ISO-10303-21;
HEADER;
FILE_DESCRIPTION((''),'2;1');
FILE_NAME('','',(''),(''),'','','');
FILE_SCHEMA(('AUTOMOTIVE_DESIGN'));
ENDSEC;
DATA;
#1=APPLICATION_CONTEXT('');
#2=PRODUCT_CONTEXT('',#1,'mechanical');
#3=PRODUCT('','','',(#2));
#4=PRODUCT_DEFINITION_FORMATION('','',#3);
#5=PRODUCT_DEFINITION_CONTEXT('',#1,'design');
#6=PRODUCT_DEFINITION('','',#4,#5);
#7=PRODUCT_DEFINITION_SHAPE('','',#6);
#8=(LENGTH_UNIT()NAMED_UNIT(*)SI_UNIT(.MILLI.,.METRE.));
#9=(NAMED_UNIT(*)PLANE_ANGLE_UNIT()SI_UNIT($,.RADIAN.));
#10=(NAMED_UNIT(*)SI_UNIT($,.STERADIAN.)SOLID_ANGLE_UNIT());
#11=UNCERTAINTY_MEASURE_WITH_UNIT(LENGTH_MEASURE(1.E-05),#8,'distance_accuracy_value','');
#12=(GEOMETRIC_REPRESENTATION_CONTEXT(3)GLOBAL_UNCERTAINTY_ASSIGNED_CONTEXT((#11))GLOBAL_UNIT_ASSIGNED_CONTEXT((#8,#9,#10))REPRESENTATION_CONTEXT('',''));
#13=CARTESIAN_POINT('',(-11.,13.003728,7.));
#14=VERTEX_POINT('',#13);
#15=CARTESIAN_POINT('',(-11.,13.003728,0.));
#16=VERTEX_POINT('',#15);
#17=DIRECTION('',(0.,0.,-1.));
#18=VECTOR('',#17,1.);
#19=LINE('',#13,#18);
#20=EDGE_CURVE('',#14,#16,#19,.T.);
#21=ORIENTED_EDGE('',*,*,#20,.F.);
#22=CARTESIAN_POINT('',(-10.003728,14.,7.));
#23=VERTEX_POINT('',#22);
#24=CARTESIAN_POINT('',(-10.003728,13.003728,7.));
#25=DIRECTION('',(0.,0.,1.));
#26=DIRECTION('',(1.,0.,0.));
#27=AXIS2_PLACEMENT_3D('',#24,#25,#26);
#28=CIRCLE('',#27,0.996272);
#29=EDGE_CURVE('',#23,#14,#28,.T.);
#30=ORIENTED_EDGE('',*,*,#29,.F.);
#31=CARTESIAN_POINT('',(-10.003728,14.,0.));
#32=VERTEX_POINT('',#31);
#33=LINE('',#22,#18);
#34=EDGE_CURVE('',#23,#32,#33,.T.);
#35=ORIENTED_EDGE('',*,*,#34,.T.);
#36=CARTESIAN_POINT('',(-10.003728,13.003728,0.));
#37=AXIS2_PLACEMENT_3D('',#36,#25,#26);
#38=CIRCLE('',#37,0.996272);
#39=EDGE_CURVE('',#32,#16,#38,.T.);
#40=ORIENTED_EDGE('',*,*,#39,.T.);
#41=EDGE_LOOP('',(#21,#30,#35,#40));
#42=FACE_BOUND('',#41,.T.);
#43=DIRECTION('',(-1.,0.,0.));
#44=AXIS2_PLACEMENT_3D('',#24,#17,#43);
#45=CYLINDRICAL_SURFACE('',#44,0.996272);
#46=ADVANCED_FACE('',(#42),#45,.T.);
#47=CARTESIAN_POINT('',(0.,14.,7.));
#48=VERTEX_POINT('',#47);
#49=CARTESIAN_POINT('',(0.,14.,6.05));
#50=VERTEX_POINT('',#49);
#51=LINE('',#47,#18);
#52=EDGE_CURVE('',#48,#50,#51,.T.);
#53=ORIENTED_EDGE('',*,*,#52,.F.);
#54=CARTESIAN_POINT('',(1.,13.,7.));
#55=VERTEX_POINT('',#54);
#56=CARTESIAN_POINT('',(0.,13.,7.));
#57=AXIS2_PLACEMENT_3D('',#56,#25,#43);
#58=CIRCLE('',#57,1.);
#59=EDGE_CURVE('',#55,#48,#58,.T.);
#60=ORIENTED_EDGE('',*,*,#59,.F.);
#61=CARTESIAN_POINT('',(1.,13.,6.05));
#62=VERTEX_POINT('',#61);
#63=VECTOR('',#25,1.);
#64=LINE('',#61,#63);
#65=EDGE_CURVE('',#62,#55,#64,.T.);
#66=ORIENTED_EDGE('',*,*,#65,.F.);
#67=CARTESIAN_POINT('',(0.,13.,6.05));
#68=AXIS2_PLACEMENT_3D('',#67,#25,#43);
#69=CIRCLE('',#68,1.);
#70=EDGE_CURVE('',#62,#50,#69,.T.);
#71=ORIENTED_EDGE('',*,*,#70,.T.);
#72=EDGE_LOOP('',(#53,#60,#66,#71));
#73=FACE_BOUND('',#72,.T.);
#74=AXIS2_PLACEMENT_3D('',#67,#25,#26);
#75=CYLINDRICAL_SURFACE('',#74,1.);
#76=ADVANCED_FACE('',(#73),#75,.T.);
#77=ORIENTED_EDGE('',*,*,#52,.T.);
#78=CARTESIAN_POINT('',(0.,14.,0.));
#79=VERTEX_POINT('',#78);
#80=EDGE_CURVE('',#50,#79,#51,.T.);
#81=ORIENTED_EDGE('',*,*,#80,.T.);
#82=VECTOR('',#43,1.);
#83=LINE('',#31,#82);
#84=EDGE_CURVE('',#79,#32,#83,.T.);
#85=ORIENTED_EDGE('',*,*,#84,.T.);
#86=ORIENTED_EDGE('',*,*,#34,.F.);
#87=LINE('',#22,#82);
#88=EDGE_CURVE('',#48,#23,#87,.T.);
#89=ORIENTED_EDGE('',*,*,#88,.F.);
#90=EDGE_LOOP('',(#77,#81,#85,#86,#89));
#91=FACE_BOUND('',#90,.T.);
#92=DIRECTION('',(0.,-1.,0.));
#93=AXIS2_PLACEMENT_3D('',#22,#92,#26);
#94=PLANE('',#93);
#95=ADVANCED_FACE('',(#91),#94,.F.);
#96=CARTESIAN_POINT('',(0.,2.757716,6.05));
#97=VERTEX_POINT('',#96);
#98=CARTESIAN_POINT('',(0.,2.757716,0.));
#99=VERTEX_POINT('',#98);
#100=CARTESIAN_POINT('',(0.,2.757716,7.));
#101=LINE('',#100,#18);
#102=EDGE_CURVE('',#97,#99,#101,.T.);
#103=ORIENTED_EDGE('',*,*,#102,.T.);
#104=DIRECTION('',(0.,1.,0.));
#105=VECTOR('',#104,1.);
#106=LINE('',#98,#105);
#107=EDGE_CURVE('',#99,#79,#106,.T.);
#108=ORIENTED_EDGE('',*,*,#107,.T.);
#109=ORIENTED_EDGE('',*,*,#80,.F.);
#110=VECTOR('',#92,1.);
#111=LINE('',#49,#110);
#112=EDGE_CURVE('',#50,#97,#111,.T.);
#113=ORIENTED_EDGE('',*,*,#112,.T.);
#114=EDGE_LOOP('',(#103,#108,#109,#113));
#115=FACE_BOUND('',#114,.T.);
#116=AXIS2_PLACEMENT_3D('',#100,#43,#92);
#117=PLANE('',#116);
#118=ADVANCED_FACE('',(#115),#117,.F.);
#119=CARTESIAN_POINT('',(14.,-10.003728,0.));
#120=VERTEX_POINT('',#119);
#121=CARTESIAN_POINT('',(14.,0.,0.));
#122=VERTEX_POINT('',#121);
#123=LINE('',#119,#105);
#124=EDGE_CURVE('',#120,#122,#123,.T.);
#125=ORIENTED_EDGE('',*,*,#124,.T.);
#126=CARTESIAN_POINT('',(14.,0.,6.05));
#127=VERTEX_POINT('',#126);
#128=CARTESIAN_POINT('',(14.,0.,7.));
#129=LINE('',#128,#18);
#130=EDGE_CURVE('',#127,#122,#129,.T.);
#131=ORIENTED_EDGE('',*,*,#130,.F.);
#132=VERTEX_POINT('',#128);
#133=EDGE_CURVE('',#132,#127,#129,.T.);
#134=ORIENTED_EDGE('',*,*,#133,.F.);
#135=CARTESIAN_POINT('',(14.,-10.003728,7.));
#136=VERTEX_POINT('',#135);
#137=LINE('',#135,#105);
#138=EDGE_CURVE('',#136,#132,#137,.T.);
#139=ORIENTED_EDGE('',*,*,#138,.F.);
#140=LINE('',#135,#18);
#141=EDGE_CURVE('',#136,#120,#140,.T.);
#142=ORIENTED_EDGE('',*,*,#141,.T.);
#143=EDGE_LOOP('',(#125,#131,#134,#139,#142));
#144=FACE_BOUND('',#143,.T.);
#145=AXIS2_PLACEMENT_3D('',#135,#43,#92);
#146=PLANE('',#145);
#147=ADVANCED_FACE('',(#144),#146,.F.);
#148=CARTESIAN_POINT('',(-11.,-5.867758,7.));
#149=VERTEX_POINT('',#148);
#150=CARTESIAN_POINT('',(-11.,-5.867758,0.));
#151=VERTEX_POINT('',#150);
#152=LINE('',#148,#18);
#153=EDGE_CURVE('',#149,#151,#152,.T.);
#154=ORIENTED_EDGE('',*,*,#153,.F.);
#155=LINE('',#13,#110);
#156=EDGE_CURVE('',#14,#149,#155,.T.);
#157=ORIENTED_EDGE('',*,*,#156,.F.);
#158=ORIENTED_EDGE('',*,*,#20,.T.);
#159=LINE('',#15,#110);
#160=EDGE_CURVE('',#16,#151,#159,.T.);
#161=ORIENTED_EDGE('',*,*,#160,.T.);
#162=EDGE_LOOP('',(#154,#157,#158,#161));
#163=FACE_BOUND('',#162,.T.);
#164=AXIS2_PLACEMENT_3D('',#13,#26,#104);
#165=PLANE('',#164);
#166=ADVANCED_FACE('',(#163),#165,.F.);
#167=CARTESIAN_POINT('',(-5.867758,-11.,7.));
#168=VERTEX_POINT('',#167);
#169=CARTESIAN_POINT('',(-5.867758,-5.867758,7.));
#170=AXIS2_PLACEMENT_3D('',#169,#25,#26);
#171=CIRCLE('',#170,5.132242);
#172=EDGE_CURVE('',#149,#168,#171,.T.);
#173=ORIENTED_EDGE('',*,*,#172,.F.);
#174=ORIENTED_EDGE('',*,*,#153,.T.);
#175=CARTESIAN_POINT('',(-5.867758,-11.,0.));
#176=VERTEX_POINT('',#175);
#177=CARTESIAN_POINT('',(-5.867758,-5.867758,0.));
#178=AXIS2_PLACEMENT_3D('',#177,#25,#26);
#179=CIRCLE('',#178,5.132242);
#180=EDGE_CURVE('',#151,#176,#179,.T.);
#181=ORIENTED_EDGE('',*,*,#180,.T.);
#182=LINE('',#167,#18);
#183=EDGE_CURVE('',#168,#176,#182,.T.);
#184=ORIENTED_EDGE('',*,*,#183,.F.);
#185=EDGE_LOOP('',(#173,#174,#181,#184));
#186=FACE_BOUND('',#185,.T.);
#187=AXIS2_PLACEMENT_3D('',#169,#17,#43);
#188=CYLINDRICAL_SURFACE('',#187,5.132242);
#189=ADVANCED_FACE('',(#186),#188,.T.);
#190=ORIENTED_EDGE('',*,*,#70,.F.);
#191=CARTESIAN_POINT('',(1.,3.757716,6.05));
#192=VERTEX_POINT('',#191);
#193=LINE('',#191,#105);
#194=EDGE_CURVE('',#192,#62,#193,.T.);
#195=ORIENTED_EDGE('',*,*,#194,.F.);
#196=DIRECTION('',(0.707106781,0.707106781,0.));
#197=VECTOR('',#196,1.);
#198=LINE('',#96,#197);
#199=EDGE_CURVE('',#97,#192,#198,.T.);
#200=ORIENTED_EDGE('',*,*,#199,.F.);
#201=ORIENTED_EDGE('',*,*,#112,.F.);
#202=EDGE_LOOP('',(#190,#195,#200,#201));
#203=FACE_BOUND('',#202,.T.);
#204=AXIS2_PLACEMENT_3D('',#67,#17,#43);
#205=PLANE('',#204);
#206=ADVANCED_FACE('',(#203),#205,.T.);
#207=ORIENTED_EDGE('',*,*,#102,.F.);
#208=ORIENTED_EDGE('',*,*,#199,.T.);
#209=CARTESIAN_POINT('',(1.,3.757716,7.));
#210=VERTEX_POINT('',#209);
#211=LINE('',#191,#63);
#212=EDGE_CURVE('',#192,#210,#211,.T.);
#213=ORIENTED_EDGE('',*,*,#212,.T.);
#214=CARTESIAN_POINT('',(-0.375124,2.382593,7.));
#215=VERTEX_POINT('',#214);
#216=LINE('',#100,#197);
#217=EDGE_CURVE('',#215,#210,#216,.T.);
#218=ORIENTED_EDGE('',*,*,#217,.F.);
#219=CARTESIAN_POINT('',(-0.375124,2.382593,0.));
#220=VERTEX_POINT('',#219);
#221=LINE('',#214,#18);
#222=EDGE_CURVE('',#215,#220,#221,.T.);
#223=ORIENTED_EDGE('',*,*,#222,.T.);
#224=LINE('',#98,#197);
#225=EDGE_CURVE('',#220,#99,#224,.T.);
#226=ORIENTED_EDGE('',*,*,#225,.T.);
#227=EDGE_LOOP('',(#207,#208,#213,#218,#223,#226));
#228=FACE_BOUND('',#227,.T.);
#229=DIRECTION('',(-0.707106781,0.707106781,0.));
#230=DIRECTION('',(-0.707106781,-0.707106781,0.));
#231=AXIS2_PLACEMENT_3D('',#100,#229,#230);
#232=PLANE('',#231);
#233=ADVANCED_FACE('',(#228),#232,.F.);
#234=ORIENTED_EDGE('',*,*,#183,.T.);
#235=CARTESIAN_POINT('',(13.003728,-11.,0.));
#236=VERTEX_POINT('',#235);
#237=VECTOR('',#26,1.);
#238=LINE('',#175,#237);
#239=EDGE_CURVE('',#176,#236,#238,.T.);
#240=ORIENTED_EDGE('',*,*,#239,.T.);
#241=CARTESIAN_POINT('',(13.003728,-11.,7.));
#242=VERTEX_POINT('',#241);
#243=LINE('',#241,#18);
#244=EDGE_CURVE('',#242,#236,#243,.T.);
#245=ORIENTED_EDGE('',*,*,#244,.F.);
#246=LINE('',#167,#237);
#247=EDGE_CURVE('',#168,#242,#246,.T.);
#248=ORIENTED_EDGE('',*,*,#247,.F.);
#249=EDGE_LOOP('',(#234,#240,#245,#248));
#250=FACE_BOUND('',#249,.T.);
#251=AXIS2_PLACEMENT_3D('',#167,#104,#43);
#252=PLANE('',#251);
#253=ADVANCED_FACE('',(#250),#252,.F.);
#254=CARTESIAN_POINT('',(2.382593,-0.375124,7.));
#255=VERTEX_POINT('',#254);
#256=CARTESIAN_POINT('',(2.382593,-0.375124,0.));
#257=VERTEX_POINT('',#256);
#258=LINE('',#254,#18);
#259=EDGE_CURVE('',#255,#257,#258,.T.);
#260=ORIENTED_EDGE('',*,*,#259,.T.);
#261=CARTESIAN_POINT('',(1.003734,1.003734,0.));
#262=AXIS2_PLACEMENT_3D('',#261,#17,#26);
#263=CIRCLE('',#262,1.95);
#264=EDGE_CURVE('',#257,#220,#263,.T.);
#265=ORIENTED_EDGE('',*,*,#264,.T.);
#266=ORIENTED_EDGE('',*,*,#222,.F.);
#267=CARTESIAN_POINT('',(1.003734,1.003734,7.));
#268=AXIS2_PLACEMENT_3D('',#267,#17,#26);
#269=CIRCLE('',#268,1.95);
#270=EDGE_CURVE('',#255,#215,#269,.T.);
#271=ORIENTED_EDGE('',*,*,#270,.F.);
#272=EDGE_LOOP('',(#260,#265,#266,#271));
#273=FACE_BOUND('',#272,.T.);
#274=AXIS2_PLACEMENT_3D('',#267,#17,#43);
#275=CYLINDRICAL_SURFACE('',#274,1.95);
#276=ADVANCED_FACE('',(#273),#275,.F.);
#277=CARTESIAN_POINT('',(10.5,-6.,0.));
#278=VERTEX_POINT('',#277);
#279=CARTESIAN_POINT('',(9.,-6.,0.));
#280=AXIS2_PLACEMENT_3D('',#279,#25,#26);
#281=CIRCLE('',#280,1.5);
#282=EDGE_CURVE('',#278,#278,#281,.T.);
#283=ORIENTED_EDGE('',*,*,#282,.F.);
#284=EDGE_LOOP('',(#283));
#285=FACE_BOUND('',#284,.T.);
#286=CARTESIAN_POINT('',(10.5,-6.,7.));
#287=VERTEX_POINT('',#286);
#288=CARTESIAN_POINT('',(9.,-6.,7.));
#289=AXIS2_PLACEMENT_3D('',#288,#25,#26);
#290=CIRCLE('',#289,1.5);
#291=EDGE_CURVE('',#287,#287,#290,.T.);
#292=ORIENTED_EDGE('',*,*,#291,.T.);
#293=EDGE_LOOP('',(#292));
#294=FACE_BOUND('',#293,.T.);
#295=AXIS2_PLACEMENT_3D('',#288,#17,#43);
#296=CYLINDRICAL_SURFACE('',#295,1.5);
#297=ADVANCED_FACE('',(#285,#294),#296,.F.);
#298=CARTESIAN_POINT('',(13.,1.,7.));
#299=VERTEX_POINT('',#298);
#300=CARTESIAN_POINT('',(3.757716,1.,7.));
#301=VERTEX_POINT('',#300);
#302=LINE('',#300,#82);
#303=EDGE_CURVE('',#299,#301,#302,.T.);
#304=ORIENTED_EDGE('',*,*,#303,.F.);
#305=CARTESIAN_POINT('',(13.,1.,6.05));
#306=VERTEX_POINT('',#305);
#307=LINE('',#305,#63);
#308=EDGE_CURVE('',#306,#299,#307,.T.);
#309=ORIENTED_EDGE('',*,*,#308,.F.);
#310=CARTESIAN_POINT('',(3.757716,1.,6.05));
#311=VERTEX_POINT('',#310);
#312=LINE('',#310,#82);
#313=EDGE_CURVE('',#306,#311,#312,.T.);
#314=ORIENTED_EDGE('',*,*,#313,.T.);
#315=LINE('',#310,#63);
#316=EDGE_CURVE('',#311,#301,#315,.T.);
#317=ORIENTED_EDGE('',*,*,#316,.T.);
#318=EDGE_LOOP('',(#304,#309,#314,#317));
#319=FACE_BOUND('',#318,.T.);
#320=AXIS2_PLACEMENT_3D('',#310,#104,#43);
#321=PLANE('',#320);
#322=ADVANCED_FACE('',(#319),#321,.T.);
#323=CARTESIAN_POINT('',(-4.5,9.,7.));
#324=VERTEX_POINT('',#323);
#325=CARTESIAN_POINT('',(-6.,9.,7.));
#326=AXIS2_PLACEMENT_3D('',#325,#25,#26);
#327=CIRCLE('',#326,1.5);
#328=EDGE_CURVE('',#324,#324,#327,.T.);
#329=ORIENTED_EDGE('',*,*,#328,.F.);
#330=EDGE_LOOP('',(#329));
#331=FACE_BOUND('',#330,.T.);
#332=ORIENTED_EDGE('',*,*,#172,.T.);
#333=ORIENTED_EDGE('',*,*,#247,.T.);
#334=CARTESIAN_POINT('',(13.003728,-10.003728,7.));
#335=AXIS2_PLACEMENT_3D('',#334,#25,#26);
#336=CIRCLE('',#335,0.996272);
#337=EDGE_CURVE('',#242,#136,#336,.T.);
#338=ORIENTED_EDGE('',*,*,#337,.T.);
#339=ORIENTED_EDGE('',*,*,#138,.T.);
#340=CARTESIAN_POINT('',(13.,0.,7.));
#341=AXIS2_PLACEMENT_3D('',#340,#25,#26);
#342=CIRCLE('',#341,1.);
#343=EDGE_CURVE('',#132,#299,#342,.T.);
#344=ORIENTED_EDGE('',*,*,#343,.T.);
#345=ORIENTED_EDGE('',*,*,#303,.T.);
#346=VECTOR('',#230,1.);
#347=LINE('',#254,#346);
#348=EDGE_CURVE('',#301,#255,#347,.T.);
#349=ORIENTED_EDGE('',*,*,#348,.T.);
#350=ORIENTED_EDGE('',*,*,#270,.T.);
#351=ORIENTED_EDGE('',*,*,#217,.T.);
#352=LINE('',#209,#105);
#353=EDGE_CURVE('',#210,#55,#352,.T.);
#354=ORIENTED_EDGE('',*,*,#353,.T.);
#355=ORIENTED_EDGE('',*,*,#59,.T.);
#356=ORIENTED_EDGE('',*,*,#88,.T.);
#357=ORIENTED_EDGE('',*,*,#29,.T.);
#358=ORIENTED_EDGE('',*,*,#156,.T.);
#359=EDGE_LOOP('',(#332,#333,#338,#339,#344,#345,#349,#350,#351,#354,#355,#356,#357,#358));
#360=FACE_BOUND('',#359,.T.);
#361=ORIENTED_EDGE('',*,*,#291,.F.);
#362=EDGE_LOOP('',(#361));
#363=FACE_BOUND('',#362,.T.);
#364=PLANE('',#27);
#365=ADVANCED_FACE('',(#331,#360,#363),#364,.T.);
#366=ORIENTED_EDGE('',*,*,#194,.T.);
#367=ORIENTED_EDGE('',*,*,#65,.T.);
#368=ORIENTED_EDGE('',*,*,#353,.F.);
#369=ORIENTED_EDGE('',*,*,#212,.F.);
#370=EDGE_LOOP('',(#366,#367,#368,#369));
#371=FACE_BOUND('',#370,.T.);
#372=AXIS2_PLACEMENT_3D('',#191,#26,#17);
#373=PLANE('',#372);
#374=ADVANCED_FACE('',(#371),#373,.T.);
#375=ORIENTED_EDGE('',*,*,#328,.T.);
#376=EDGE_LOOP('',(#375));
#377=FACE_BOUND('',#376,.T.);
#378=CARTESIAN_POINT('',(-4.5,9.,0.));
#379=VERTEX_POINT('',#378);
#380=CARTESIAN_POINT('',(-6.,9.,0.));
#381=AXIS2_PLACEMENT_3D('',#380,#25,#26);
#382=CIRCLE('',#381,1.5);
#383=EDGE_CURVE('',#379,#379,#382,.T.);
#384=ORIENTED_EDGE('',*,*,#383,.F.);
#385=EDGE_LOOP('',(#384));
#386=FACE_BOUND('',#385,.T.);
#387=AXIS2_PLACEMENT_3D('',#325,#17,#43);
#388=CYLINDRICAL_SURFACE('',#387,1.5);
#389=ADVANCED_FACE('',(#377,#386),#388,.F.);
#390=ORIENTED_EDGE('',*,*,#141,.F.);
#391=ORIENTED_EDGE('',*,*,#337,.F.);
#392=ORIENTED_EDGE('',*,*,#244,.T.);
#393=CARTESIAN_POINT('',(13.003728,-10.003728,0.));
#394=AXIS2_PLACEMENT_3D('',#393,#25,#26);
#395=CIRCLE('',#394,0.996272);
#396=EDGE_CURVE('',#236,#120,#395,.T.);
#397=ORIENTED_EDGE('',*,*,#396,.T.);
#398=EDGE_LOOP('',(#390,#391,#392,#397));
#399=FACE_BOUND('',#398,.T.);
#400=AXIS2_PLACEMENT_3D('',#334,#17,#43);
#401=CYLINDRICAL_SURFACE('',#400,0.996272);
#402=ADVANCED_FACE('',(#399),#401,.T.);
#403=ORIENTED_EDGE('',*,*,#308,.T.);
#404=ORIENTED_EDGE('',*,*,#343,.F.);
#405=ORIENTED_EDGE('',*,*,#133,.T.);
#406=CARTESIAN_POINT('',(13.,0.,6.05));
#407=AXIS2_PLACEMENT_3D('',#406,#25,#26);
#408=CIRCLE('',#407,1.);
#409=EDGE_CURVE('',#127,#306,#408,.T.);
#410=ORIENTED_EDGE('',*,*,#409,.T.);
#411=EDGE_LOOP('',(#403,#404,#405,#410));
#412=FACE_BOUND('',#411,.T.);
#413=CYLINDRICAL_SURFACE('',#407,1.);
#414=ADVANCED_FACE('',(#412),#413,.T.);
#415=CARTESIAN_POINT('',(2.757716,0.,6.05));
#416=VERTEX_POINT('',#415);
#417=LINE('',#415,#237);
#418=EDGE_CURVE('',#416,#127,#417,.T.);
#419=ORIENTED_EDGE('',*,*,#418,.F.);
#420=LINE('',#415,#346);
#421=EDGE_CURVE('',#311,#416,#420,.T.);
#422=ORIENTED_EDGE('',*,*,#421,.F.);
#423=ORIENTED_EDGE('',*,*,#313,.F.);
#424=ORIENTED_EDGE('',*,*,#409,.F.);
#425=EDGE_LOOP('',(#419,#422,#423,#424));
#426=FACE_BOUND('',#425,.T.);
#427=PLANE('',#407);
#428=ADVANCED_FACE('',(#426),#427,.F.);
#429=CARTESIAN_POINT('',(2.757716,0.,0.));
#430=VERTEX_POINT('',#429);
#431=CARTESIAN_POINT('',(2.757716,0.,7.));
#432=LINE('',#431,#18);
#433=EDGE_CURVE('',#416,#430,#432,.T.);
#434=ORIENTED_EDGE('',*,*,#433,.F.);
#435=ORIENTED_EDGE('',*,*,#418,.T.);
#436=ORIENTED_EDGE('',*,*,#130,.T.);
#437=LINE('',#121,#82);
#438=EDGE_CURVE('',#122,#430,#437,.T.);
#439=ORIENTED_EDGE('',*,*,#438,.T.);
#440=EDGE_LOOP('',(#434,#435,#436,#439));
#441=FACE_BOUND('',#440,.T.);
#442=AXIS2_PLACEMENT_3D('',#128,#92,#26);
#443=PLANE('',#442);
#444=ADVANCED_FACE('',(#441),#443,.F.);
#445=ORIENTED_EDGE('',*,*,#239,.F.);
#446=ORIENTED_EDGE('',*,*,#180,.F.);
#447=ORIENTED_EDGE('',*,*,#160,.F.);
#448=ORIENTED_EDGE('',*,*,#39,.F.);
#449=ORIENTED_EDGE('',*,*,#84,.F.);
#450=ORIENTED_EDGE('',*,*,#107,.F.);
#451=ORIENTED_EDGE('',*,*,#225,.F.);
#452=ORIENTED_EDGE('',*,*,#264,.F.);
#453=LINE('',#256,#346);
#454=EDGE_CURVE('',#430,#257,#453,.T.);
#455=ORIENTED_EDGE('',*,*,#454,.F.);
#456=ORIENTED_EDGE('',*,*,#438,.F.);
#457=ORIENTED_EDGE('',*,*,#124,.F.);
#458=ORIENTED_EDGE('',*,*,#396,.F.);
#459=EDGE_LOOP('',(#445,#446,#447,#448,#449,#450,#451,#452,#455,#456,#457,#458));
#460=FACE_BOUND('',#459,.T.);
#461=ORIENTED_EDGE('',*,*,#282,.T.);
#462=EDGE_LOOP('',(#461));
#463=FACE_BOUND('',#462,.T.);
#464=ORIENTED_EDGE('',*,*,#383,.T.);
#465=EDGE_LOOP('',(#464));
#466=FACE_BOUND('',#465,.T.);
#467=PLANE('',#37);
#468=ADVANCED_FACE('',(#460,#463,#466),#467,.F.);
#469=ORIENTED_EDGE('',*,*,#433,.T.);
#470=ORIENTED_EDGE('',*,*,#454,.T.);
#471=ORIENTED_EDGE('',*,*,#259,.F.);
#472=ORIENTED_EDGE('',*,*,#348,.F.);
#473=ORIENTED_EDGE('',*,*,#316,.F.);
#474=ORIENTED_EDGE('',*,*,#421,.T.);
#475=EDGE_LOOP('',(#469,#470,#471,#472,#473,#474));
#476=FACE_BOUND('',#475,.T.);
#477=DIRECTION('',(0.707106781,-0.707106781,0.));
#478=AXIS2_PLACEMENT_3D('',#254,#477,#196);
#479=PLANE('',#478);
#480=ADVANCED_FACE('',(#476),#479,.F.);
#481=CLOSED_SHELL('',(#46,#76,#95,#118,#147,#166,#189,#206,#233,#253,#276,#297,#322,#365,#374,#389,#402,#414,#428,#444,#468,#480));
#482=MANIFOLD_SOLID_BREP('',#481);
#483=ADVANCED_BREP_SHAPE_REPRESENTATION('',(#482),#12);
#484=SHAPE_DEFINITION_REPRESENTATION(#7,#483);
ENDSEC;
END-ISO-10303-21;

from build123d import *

# Parameters (mm, degrees)
SKETCH1_R           = 1.5
BOSS_EXTRUDE1_DEPTH = 7
BOSS_EXTRUDE2_DEPTH = 0.95


with BuildPart() as part:
    # Sketch1 → Boss-Extrude1 (new body)
    with BuildSketch(Plane.XY):
        with BuildLine():
            Line((-11, 13.003727625), (-11, -5.867758287))
            ThreePointArc((-11, -5.867758287), (-9.496801205, -9.496801205), (-5.867758287, -11))
            Line((-5.867758287, -11), (13.003727625, -11))
            ThreePointArc((13.003727625, -11), (13.708198577, -10.708198577), (14, -10.003727625))
            Line((14, -10.003727625), (14, 0))
            Line((14, 0), (2.757716447, 0))
            Line((2.757716447, 0), (2.382592719, -0.375123728))
            ThreePointArc((2.382592719, -0.375123728), (-0.375123728, -0.375123728), (-0.375123728, 2.382592719))
            Line((-0.375123728, 2.382592719), (0, 2.757716447))
            Line((0, 2.757716447), (0, 14))
            Line((0, 14), (-10.003727625, 14))
            ThreePointArc((-10.003727625, 14), (-10.708198577, 13.708198577), (-11, 13.003727625))
        make_face()
        with Locations((9, -6)):
            Circle(SKETCH1_R, mode=Mode.SUBTRACT)
        with Locations((-6, 9)):
            Circle(SKETCH1_R, mode=Mode.SUBTRACT)
    extrude(amount=BOSS_EXTRUDE1_DEPTH)

    # Sketch2 → Boss-Extrude2 (add)
    with BuildSketch(Plane.XY.offset(7)):
        with BuildLine():
            Line((2.757716447, 0), (3.757716447, 1))
            Line((3.757716447, 1), (13, 1))
            ThreePointArc((13, 1), (13.707106781, 0.707106781), (14, 0))
            Line((14, 0), (2.757716447, 0))
        make_face()
        with BuildLine():
            Line((0, 2.757716447), (1, 3.757716447))
            Line((1, 3.757716447), (1, 13))
            ThreePointArc((1, 13), (0.707106781, 13.707106781), (0, 14))
            Line((0, 14), (0, 2.757716447))
        make_face()
    extrude(amount=-BOSS_EXTRUDE2_DEPTH)


solid = part.part
